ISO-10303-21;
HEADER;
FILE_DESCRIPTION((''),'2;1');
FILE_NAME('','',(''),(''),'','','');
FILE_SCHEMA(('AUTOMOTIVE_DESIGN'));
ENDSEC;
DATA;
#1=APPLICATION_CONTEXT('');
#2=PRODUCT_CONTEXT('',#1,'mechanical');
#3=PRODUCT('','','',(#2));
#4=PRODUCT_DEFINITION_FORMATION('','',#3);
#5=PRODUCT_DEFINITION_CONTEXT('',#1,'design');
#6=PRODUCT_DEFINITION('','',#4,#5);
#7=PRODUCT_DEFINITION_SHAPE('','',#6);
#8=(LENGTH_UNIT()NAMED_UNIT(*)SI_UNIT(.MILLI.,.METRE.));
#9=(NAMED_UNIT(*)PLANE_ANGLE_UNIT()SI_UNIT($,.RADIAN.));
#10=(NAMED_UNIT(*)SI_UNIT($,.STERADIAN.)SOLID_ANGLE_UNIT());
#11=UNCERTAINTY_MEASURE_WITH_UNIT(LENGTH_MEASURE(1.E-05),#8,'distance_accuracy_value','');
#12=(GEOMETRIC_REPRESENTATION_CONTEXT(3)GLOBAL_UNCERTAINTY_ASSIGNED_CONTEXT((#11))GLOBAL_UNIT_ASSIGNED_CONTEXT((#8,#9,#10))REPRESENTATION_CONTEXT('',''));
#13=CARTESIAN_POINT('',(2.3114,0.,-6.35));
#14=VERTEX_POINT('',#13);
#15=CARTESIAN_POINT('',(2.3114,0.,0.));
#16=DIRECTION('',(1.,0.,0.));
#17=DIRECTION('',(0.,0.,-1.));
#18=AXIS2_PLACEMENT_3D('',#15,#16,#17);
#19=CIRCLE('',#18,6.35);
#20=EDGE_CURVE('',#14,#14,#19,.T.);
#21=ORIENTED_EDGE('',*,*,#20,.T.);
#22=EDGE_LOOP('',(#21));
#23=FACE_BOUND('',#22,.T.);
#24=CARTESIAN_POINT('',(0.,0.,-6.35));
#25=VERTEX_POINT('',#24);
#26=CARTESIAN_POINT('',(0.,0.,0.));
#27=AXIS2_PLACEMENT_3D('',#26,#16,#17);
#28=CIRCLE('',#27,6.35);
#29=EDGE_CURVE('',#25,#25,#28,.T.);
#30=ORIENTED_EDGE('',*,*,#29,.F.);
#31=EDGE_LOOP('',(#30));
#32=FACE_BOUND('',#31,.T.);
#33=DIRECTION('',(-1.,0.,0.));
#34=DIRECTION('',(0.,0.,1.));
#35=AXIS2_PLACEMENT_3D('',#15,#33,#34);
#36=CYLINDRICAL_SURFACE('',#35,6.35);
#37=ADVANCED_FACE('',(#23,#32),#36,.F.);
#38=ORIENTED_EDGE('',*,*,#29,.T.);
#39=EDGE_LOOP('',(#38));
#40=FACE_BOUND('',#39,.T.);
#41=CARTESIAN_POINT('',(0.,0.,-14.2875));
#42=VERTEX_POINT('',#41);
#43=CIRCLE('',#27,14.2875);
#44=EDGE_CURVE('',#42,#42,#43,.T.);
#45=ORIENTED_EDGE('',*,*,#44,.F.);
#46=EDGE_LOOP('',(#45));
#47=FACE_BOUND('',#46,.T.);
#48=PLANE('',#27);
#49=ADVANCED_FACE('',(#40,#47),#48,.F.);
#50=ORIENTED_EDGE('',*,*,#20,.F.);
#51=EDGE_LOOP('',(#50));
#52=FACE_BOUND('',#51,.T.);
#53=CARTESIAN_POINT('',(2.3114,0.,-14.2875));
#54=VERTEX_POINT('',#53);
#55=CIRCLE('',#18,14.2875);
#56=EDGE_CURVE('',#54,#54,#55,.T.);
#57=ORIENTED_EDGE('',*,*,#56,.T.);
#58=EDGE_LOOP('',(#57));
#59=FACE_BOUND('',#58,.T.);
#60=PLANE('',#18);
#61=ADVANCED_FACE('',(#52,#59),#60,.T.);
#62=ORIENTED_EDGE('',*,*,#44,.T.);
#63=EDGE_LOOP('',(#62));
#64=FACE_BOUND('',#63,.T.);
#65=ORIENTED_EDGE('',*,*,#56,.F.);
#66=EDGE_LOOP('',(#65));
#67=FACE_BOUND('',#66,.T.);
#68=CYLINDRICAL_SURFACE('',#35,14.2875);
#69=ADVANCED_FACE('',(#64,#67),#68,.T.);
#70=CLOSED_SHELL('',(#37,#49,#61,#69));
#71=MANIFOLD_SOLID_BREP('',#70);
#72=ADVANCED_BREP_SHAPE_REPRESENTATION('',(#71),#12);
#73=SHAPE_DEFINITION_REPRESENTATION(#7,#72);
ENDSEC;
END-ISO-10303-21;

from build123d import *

# Parameters (mm, degrees)
SKETCH1_R           = 14.2875
SKETCH1_R_2         = 6.35
BOSS_EXTRUDE1_DEPTH = 2.3114


with BuildPart() as part:
    # Sketch1 → Boss-Extrude1 (new body)
    with BuildSketch(Plane(origin=(0, 0, 0), x_dir=(0, 0, -1), z_dir=(1, 0, 0))):
        Circle(SKETCH1_R)
        Circle(SKETCH1_R_2, mode=Mode.SUBTRACT)
    extrude(amount=BOSS_EXTRUDE1_DEPTH)


solid = part.part
